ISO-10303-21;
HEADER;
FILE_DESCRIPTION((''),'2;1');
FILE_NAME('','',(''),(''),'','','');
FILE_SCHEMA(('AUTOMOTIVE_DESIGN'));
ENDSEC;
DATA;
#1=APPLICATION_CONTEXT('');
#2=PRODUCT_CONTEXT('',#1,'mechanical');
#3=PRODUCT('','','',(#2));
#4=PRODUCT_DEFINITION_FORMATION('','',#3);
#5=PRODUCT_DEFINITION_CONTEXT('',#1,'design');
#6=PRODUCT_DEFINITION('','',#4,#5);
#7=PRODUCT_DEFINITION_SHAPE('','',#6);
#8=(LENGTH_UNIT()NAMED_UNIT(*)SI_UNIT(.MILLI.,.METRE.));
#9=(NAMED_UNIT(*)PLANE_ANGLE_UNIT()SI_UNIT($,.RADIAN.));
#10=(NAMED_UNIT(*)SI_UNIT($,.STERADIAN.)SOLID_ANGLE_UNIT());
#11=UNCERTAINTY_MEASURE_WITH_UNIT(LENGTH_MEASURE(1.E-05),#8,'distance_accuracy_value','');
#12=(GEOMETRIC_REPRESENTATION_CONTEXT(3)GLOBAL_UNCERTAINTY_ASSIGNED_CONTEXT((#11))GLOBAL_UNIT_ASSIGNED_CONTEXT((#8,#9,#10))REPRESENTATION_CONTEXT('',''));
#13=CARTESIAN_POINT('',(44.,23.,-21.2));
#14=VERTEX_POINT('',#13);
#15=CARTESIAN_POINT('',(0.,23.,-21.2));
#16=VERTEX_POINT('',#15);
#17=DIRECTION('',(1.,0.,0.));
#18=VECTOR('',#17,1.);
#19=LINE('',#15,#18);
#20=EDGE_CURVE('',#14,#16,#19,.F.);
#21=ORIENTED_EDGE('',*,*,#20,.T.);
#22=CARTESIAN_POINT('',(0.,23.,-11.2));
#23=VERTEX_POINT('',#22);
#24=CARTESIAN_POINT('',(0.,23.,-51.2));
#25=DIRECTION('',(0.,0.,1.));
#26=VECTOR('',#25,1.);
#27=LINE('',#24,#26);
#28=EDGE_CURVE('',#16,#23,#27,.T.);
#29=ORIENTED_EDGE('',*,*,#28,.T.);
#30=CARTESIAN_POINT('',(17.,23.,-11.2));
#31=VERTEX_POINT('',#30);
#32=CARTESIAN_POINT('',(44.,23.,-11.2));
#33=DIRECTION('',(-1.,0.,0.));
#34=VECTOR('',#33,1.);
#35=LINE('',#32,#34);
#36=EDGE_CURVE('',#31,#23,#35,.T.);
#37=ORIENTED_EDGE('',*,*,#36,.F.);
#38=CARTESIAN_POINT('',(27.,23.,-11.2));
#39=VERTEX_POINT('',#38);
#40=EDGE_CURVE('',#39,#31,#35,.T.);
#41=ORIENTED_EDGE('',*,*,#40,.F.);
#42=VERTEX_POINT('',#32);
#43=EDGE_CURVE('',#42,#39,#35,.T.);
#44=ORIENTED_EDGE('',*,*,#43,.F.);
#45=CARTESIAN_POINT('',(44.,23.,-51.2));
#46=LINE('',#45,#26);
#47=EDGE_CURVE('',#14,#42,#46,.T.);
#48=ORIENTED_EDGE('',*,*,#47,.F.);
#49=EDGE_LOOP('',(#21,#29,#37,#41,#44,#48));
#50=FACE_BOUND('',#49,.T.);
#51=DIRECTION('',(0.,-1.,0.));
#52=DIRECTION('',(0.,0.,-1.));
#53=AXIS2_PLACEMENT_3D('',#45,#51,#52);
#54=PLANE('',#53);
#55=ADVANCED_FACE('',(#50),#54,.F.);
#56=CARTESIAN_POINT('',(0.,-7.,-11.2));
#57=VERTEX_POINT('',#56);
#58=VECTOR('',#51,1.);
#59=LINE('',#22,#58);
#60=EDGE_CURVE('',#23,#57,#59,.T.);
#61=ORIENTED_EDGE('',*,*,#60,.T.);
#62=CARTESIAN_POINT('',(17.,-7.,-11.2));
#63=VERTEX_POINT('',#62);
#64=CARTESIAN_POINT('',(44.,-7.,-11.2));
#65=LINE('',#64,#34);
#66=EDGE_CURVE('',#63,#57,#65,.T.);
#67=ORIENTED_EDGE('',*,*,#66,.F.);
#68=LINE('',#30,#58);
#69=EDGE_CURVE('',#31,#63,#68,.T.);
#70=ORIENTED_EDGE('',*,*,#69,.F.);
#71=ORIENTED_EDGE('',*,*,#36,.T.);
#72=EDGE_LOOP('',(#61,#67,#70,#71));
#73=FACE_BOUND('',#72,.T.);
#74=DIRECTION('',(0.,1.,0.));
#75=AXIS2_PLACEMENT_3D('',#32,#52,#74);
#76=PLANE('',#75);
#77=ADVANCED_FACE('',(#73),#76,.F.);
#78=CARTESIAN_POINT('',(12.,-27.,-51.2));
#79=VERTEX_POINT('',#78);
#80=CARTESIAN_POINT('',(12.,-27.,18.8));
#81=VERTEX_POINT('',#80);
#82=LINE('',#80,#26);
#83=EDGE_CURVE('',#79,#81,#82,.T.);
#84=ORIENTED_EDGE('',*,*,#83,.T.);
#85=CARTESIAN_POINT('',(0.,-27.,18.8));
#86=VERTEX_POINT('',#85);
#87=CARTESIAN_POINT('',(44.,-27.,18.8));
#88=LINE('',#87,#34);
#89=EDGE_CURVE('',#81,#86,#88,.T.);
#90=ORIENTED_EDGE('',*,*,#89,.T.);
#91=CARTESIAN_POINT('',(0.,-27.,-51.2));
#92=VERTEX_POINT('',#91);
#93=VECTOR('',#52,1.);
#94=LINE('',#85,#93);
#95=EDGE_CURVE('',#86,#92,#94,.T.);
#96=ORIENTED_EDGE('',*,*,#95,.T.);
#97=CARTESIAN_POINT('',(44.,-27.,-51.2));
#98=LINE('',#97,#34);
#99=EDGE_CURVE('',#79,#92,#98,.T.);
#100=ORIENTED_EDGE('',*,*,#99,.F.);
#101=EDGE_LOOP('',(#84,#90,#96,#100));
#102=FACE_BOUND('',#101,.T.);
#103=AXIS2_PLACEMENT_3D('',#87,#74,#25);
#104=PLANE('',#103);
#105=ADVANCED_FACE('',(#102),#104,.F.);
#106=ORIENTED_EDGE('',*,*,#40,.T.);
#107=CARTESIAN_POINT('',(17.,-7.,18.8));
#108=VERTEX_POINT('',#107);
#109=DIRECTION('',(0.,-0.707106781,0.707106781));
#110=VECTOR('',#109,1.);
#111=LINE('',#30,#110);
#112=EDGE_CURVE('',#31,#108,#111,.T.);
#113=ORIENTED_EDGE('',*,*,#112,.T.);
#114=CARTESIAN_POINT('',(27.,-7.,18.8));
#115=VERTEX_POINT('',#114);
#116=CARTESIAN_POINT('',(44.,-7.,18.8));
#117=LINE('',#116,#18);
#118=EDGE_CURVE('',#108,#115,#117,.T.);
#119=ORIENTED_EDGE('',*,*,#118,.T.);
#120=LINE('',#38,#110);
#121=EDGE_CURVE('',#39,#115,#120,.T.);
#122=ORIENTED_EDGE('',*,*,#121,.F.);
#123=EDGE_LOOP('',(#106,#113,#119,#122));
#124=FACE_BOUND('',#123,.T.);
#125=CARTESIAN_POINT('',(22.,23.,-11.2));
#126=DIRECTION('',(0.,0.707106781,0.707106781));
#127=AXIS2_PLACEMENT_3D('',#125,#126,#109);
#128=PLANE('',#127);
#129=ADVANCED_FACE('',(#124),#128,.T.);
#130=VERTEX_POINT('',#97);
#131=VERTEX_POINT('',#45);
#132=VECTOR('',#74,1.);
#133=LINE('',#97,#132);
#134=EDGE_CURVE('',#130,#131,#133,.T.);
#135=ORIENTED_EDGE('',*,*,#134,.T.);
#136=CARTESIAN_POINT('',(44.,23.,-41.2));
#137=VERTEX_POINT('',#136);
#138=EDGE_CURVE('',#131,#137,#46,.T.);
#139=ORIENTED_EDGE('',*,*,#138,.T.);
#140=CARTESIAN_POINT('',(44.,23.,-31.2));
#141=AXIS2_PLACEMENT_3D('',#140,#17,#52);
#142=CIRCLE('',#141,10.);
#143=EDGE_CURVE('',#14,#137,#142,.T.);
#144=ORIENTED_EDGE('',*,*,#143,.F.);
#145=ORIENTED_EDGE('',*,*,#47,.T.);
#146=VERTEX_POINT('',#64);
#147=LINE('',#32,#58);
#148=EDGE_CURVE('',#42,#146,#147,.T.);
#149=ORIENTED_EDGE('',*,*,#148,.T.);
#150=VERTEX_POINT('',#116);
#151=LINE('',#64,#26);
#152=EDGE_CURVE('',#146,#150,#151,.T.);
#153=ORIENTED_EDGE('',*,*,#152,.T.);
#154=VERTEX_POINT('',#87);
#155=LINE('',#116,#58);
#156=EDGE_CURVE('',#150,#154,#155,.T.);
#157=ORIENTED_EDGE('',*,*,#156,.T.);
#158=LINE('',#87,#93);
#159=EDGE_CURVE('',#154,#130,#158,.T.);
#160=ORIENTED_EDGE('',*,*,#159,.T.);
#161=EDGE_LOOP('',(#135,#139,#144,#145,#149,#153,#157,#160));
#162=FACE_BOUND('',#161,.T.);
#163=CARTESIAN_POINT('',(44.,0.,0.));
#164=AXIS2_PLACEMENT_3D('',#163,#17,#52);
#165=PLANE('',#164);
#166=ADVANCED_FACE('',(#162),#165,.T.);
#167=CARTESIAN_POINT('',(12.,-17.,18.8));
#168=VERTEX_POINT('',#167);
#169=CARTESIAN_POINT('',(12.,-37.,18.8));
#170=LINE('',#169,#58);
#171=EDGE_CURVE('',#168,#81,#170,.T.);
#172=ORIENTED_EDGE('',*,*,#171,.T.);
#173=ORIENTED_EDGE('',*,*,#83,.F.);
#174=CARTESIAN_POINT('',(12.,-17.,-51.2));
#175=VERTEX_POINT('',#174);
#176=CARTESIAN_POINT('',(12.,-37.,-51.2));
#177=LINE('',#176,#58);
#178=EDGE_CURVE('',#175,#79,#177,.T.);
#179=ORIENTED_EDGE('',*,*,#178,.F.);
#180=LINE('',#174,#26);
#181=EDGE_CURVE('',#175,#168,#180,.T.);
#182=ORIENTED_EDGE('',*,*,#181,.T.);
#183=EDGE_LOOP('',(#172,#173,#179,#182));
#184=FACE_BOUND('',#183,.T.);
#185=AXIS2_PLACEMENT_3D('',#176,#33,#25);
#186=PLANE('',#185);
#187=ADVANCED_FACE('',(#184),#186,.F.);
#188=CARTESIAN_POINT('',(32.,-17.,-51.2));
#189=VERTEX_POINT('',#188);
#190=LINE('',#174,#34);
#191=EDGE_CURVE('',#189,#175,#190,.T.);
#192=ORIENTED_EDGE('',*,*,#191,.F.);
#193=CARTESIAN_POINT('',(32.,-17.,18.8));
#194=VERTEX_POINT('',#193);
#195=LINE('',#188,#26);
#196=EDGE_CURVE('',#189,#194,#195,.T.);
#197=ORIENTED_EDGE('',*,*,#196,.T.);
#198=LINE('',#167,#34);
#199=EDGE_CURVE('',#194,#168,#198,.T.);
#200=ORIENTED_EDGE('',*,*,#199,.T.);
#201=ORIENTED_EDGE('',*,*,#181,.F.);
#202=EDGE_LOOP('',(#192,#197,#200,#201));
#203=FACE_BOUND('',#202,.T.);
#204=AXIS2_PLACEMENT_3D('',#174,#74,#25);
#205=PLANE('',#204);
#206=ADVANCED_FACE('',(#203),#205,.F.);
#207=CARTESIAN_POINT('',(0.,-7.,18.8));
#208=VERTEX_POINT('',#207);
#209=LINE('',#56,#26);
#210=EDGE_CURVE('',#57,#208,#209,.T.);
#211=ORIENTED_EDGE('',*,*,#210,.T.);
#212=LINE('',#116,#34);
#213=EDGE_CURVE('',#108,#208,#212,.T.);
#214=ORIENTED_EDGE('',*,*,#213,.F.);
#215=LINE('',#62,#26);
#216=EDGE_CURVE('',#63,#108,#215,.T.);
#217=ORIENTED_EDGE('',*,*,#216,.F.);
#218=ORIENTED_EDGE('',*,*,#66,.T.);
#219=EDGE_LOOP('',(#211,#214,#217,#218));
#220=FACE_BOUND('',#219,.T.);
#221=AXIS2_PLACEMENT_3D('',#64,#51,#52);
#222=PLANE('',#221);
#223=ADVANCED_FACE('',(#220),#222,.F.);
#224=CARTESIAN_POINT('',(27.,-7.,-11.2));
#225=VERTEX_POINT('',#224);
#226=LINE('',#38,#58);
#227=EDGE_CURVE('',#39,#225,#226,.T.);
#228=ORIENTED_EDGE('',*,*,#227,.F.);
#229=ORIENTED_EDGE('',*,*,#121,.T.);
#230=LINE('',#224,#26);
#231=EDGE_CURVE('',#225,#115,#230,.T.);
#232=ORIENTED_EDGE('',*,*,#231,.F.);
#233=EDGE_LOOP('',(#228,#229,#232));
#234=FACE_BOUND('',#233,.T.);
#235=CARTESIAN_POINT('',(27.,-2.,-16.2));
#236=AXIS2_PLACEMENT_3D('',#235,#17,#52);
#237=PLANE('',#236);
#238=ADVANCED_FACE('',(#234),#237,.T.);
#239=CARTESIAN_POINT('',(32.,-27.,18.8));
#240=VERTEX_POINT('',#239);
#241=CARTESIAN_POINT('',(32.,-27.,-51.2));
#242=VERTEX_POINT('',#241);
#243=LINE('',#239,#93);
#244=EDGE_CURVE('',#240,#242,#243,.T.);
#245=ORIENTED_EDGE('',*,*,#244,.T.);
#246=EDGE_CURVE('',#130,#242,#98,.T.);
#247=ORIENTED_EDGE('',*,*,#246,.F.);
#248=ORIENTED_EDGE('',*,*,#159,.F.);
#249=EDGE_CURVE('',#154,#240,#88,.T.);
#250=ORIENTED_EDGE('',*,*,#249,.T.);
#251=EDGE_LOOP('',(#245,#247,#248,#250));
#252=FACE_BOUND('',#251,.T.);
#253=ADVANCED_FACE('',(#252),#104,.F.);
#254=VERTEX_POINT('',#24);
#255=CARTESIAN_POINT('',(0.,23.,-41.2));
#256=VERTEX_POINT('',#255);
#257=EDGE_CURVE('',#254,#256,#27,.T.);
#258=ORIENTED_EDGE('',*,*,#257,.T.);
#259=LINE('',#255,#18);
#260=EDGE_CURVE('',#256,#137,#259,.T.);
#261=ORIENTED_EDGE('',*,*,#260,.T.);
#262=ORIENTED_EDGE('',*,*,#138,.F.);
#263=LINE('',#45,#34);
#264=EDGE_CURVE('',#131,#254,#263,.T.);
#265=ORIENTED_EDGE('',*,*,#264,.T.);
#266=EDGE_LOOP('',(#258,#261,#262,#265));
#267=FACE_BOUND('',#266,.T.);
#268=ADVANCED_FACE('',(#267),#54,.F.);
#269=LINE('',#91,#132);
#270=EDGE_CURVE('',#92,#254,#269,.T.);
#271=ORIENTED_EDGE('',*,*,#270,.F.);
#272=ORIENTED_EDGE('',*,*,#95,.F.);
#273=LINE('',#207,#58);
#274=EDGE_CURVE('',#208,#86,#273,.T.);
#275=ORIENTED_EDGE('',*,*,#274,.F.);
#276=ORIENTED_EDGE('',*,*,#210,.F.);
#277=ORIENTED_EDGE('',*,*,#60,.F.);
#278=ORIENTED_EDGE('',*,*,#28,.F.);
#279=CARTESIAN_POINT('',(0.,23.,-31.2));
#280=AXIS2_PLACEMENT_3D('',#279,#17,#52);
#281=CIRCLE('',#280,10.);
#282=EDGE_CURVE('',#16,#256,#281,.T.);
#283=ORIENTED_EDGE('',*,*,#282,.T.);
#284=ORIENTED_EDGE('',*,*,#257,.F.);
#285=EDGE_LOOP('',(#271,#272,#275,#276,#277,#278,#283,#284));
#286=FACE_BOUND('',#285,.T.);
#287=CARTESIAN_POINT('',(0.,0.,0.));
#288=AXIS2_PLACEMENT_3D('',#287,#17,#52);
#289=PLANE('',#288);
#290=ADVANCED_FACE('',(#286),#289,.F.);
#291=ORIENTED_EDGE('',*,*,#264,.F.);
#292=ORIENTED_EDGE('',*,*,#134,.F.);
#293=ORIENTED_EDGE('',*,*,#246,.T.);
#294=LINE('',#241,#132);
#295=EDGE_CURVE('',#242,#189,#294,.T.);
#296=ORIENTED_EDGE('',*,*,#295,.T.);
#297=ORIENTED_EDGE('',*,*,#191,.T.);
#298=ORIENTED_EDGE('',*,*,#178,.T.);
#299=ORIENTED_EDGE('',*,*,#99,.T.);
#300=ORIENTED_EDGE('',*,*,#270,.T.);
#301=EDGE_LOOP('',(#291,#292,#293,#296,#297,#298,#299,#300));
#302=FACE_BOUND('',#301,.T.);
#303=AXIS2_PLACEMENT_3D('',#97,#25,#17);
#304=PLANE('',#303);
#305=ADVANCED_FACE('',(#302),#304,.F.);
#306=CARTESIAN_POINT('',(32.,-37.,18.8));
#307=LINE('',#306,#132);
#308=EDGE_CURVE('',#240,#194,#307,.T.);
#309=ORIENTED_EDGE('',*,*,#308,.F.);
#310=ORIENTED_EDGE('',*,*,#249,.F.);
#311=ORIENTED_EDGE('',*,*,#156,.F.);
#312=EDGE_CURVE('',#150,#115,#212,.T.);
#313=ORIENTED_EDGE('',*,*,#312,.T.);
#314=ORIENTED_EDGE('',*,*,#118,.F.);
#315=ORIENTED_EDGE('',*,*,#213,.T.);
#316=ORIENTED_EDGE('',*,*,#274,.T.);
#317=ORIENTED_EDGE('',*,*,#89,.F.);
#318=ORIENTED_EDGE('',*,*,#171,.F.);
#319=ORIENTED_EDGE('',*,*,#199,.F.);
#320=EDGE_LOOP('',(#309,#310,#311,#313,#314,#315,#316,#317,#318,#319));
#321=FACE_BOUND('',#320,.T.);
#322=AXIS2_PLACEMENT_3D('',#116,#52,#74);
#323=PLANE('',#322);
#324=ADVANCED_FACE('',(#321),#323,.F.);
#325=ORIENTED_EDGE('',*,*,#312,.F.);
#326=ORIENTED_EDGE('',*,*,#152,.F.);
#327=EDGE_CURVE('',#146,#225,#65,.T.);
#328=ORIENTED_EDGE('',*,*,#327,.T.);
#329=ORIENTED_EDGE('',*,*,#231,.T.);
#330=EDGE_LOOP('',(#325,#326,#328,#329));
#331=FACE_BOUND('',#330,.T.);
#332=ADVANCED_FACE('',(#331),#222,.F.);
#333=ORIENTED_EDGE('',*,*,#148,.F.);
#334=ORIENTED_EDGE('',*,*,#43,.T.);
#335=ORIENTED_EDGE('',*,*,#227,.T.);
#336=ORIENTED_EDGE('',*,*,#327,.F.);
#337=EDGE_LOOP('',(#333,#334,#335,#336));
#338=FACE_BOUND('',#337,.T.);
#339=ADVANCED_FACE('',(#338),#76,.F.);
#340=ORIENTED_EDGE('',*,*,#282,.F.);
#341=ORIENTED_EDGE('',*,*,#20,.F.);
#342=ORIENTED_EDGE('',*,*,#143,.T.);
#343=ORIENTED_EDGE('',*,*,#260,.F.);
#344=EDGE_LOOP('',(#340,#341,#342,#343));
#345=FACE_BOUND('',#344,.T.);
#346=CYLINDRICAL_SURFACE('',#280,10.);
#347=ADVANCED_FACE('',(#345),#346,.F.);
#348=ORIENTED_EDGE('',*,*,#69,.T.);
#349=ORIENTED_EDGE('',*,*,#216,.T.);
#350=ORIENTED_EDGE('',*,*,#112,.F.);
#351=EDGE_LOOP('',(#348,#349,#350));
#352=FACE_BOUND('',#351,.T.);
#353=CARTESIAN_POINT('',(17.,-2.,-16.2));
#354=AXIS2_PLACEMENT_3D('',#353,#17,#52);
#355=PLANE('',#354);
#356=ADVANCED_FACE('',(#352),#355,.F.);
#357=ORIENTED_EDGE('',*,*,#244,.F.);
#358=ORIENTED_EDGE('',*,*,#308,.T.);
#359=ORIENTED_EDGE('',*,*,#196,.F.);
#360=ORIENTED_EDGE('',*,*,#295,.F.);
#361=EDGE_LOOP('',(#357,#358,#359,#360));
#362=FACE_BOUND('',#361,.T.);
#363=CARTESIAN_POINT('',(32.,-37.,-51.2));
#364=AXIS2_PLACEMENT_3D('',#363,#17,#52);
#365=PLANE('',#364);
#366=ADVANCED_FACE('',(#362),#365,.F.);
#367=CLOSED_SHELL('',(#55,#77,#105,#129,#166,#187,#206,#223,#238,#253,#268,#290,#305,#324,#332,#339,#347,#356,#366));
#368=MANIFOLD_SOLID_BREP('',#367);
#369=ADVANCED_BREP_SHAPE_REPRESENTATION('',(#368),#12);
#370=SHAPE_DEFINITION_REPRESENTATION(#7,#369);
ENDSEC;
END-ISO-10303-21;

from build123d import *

# Parameters (mm, degrees)
BOSS_EXTRUDE1_DEPTH = 44
SKETCH2_R           = 10
CUT_EXTRUDE1_DEPTH  = 73.707908786
SKETCH3_W           = 20
SKETCH3_H           = 20
CUT_EXTRUDE2_DEPTH  = 87.977008456
RIB3_REACH          = 63.923
SKETCH4_WALL_W      = 168.272117334
SKETCH4_WALL_H      = 10


with BuildPart() as part:
    # Sketch1 → Boss-Extrude1 (new body)
    with BuildSketch(Plane(origin=(0, 0, 0), x_dir=(0, 0, -1), z_dir=(1, 0, 0))):
        Polygon((-18.8, -7), (-18.8, -27), (51.2, -27), (51.2, 23), (11.2, 23), (11.2, -7), align=None)
    extrude(amount=BOSS_EXTRUDE1_DEPTH)

    # Sketch2 → Cut-Extrude1 (cut, through all)
    with BuildSketch(Plane(origin=(44, 0, 0), x_dir=(0, 0, -1), z_dir=(1, 0, 0))):
        with Locations((31.2, 23)):
            Circle(SKETCH2_R)
    extrude(amount=-CUT_EXTRUDE1_DEPTH, mode=Mode.SUBTRACT)

    # Sketch3 → Cut-Extrude2 (cut, through all)
    with BuildSketch(Plane.XY.offset(18.8)):
        with Locations((22, -27)):
            Rectangle(SKETCH3_W, SKETCH3_H)
    extrude(amount=-CUT_EXTRUDE2_DEPTH, mode=Mode.SUBTRACT)

    # Sketch4 wall → Rib3 (add, up to next)
    with BuildSketch(Plane(origin=(22, 8, 3.8), x_dir=(0, -0.707106781187, 0.707106781187), z_dir=(0, -0.707106781187, -0.707106781187)), mode=Mode.PRIVATE) as rib3_sk1:
        Rectangle(SKETCH4_WALL_W, SKETCH4_WALL_H)
    rib3_tool1 = extrude(rib3_sk1.sketch, amount=RIB3_REACH, mode=Mode.PRIVATE) - part.part
    add(rib3_tool1.solids().sort_by_distance((22, 8, 3.8))[0])


solid = part.part
